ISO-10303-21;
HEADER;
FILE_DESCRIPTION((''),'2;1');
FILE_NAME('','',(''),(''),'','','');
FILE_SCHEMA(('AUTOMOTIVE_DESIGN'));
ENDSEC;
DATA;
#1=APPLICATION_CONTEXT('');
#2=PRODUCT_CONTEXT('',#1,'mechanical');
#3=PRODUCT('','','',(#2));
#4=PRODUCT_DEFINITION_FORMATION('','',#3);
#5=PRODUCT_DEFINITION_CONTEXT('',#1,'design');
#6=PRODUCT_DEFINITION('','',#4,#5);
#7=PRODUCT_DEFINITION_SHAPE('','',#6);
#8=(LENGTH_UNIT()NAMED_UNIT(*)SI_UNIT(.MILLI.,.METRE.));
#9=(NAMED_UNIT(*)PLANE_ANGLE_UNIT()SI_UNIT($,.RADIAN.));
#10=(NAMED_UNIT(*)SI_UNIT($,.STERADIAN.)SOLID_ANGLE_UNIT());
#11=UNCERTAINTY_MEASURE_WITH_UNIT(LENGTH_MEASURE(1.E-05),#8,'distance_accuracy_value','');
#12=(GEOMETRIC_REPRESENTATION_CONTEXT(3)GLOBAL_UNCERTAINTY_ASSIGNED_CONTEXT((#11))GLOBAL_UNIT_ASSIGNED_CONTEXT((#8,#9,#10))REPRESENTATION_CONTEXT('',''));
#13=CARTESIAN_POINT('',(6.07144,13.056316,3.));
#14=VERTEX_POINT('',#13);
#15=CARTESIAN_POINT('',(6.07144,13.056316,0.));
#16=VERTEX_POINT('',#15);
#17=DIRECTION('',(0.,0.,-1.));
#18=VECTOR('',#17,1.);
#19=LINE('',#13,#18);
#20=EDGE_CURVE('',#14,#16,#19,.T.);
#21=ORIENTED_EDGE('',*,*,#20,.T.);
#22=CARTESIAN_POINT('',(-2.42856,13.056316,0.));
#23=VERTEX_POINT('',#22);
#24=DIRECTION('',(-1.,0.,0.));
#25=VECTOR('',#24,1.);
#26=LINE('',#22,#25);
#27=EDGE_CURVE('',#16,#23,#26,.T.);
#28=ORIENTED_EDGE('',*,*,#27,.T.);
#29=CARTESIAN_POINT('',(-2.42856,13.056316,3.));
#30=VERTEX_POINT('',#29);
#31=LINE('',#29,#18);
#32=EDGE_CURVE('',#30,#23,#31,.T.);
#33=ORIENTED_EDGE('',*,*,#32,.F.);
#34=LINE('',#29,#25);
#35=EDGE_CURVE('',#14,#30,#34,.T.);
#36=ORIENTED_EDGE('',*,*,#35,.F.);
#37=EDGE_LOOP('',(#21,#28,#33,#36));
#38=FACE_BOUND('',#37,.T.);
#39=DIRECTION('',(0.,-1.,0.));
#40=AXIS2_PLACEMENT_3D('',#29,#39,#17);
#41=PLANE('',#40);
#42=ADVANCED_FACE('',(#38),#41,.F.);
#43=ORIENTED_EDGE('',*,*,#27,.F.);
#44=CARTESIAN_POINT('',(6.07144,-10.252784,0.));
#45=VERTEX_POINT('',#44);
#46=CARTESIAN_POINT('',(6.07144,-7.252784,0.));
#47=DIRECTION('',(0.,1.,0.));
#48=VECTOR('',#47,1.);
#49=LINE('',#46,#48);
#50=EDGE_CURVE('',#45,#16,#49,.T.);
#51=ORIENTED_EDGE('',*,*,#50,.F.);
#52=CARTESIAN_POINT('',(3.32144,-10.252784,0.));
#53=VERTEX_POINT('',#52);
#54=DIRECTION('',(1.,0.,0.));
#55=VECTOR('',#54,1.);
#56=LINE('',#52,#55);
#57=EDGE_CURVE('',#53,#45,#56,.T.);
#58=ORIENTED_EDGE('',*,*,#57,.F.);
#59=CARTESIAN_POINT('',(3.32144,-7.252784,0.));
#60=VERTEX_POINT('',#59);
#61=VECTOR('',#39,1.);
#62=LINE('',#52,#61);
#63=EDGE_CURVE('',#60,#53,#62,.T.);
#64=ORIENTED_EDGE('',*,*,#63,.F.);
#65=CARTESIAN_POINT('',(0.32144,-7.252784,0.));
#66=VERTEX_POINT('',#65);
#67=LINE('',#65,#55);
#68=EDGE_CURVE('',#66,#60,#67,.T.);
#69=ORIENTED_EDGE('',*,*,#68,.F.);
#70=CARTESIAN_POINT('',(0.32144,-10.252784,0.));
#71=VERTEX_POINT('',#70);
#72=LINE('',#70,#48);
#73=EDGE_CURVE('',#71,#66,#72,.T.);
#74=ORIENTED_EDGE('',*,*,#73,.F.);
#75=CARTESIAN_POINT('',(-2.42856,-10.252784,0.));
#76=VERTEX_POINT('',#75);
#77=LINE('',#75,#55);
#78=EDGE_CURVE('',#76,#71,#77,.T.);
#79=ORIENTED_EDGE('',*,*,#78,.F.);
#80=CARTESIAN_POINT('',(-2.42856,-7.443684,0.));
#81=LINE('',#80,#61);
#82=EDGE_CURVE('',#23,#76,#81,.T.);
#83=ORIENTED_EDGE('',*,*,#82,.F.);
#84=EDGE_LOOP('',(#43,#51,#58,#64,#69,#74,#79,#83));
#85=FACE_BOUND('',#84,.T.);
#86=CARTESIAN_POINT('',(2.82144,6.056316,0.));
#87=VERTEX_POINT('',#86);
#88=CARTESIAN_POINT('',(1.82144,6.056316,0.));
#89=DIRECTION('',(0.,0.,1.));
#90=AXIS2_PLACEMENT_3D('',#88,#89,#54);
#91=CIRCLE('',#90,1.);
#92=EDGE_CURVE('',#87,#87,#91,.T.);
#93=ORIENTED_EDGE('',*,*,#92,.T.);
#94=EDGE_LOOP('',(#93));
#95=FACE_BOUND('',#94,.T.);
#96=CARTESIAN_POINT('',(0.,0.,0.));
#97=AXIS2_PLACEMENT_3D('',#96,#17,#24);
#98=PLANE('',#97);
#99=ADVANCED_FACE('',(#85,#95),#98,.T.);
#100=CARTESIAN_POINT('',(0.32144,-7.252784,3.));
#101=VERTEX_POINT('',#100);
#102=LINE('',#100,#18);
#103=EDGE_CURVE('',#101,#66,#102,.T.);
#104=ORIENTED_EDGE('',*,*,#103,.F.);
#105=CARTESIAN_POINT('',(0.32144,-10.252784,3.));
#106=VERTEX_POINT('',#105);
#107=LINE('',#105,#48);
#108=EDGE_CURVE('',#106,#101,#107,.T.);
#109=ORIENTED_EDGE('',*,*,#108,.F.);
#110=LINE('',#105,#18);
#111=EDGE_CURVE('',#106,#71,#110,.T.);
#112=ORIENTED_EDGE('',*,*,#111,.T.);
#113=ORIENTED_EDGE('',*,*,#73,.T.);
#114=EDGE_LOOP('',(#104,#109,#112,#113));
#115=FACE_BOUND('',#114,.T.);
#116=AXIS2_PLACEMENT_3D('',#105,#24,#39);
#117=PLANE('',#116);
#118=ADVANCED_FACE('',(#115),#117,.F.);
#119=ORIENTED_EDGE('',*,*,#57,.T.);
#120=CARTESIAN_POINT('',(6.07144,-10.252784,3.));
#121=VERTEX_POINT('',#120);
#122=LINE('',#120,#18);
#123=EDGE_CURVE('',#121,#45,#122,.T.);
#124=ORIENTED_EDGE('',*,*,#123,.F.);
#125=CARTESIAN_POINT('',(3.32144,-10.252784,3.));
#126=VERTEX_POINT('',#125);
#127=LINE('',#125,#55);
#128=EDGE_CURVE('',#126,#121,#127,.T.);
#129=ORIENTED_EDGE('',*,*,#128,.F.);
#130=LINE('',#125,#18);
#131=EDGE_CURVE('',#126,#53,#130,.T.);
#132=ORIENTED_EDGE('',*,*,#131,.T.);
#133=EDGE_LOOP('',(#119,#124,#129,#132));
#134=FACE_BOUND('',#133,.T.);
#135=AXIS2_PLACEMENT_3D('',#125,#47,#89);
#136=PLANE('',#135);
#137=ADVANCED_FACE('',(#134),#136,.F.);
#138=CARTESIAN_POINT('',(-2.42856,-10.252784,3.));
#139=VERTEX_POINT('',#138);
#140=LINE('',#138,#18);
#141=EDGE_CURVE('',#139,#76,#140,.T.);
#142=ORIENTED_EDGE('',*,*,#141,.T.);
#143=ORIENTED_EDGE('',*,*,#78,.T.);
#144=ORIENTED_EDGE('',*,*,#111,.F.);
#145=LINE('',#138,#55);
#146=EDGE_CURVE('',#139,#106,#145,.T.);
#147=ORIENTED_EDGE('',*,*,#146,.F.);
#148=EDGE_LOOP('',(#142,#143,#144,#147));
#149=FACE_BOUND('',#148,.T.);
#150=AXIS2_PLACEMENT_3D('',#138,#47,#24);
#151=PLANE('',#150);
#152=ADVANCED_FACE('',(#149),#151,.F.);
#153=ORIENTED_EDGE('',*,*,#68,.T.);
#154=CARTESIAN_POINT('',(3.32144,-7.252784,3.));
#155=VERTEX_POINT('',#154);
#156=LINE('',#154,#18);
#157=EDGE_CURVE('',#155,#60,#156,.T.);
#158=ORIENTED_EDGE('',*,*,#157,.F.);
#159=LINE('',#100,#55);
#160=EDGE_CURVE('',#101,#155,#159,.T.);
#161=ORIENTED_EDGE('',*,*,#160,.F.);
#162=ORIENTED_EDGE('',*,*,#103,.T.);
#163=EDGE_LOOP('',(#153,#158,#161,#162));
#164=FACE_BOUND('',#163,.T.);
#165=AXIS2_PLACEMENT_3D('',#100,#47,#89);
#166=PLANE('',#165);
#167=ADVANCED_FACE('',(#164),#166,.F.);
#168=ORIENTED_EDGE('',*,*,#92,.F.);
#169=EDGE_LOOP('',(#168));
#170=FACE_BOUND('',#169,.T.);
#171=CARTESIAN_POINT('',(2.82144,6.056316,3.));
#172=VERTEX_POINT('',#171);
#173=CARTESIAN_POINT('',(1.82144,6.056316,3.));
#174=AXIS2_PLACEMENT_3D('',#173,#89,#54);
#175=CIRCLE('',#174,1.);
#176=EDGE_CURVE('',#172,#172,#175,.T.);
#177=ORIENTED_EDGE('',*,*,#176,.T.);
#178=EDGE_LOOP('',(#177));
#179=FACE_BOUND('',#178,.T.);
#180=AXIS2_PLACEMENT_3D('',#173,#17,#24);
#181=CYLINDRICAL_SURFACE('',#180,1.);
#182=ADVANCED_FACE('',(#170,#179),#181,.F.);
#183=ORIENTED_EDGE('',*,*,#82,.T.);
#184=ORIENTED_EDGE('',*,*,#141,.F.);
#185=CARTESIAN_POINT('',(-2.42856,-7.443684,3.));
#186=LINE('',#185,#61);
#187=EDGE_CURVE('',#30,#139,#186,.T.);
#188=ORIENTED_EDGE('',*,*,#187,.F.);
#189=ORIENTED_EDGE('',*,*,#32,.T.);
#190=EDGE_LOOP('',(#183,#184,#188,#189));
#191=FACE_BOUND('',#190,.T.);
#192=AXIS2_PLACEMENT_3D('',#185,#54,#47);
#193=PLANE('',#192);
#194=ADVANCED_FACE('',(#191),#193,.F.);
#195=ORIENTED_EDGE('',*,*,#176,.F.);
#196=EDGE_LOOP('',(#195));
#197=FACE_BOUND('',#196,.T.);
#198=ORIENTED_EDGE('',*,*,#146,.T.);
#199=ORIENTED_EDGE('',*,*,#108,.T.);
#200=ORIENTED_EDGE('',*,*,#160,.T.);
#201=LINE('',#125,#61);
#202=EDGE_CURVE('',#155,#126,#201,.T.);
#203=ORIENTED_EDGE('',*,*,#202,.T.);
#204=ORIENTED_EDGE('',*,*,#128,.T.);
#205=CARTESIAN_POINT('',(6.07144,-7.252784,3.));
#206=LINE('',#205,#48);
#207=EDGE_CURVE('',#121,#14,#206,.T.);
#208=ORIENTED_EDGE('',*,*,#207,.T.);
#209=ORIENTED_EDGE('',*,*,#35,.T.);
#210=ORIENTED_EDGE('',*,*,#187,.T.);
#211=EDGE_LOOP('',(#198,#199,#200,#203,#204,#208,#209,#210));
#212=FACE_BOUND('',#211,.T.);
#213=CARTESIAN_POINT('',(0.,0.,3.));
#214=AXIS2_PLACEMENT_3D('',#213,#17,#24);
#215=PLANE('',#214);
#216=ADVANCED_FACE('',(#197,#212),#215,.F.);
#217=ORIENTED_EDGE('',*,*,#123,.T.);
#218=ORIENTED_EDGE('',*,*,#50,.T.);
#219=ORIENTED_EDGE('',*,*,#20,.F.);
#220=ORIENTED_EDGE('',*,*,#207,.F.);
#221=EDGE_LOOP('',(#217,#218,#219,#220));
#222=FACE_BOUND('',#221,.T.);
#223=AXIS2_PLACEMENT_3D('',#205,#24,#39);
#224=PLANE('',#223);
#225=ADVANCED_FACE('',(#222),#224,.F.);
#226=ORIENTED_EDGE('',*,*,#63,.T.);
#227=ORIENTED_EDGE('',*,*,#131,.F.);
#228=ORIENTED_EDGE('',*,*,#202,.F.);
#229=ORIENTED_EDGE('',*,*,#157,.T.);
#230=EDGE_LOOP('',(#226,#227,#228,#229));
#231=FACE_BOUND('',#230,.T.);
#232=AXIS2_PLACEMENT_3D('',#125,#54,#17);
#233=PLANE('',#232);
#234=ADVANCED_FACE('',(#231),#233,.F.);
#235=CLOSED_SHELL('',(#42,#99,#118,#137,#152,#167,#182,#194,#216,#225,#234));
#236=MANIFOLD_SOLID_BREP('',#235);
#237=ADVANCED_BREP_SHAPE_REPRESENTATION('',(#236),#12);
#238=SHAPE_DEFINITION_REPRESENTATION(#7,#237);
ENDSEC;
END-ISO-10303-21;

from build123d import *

# Parameters (mm, degrees)
SKETCH2_R           = 1
BOSS_EXTRUDE1_DEPTH = 3


with BuildPart() as part:
    # Sketch2 → Boss-Extrude1 (new body)
    with BuildSketch(Plane.XY):
        Polygon((-2.428559813, -7.443684094), (-2.428559813, 13.056315906), (6.071440187, 13.056315906), (6.071440187, -7.25278389), (6.071440187, -10.25278389), (3.321440187, -10.25278389), (3.321440187, -7.25278389), (0.321440187, -7.25278389), (0.321440187, -10.25278389), (-2.428559813, -10.25278389), align=None)
        with Locations((1.821440187, 6.056315906)):
            Circle(SKETCH2_R, mode=Mode.SUBTRACT)
    extrude(amount=BOSS_EXTRUDE1_DEPTH)


solid = part.part
